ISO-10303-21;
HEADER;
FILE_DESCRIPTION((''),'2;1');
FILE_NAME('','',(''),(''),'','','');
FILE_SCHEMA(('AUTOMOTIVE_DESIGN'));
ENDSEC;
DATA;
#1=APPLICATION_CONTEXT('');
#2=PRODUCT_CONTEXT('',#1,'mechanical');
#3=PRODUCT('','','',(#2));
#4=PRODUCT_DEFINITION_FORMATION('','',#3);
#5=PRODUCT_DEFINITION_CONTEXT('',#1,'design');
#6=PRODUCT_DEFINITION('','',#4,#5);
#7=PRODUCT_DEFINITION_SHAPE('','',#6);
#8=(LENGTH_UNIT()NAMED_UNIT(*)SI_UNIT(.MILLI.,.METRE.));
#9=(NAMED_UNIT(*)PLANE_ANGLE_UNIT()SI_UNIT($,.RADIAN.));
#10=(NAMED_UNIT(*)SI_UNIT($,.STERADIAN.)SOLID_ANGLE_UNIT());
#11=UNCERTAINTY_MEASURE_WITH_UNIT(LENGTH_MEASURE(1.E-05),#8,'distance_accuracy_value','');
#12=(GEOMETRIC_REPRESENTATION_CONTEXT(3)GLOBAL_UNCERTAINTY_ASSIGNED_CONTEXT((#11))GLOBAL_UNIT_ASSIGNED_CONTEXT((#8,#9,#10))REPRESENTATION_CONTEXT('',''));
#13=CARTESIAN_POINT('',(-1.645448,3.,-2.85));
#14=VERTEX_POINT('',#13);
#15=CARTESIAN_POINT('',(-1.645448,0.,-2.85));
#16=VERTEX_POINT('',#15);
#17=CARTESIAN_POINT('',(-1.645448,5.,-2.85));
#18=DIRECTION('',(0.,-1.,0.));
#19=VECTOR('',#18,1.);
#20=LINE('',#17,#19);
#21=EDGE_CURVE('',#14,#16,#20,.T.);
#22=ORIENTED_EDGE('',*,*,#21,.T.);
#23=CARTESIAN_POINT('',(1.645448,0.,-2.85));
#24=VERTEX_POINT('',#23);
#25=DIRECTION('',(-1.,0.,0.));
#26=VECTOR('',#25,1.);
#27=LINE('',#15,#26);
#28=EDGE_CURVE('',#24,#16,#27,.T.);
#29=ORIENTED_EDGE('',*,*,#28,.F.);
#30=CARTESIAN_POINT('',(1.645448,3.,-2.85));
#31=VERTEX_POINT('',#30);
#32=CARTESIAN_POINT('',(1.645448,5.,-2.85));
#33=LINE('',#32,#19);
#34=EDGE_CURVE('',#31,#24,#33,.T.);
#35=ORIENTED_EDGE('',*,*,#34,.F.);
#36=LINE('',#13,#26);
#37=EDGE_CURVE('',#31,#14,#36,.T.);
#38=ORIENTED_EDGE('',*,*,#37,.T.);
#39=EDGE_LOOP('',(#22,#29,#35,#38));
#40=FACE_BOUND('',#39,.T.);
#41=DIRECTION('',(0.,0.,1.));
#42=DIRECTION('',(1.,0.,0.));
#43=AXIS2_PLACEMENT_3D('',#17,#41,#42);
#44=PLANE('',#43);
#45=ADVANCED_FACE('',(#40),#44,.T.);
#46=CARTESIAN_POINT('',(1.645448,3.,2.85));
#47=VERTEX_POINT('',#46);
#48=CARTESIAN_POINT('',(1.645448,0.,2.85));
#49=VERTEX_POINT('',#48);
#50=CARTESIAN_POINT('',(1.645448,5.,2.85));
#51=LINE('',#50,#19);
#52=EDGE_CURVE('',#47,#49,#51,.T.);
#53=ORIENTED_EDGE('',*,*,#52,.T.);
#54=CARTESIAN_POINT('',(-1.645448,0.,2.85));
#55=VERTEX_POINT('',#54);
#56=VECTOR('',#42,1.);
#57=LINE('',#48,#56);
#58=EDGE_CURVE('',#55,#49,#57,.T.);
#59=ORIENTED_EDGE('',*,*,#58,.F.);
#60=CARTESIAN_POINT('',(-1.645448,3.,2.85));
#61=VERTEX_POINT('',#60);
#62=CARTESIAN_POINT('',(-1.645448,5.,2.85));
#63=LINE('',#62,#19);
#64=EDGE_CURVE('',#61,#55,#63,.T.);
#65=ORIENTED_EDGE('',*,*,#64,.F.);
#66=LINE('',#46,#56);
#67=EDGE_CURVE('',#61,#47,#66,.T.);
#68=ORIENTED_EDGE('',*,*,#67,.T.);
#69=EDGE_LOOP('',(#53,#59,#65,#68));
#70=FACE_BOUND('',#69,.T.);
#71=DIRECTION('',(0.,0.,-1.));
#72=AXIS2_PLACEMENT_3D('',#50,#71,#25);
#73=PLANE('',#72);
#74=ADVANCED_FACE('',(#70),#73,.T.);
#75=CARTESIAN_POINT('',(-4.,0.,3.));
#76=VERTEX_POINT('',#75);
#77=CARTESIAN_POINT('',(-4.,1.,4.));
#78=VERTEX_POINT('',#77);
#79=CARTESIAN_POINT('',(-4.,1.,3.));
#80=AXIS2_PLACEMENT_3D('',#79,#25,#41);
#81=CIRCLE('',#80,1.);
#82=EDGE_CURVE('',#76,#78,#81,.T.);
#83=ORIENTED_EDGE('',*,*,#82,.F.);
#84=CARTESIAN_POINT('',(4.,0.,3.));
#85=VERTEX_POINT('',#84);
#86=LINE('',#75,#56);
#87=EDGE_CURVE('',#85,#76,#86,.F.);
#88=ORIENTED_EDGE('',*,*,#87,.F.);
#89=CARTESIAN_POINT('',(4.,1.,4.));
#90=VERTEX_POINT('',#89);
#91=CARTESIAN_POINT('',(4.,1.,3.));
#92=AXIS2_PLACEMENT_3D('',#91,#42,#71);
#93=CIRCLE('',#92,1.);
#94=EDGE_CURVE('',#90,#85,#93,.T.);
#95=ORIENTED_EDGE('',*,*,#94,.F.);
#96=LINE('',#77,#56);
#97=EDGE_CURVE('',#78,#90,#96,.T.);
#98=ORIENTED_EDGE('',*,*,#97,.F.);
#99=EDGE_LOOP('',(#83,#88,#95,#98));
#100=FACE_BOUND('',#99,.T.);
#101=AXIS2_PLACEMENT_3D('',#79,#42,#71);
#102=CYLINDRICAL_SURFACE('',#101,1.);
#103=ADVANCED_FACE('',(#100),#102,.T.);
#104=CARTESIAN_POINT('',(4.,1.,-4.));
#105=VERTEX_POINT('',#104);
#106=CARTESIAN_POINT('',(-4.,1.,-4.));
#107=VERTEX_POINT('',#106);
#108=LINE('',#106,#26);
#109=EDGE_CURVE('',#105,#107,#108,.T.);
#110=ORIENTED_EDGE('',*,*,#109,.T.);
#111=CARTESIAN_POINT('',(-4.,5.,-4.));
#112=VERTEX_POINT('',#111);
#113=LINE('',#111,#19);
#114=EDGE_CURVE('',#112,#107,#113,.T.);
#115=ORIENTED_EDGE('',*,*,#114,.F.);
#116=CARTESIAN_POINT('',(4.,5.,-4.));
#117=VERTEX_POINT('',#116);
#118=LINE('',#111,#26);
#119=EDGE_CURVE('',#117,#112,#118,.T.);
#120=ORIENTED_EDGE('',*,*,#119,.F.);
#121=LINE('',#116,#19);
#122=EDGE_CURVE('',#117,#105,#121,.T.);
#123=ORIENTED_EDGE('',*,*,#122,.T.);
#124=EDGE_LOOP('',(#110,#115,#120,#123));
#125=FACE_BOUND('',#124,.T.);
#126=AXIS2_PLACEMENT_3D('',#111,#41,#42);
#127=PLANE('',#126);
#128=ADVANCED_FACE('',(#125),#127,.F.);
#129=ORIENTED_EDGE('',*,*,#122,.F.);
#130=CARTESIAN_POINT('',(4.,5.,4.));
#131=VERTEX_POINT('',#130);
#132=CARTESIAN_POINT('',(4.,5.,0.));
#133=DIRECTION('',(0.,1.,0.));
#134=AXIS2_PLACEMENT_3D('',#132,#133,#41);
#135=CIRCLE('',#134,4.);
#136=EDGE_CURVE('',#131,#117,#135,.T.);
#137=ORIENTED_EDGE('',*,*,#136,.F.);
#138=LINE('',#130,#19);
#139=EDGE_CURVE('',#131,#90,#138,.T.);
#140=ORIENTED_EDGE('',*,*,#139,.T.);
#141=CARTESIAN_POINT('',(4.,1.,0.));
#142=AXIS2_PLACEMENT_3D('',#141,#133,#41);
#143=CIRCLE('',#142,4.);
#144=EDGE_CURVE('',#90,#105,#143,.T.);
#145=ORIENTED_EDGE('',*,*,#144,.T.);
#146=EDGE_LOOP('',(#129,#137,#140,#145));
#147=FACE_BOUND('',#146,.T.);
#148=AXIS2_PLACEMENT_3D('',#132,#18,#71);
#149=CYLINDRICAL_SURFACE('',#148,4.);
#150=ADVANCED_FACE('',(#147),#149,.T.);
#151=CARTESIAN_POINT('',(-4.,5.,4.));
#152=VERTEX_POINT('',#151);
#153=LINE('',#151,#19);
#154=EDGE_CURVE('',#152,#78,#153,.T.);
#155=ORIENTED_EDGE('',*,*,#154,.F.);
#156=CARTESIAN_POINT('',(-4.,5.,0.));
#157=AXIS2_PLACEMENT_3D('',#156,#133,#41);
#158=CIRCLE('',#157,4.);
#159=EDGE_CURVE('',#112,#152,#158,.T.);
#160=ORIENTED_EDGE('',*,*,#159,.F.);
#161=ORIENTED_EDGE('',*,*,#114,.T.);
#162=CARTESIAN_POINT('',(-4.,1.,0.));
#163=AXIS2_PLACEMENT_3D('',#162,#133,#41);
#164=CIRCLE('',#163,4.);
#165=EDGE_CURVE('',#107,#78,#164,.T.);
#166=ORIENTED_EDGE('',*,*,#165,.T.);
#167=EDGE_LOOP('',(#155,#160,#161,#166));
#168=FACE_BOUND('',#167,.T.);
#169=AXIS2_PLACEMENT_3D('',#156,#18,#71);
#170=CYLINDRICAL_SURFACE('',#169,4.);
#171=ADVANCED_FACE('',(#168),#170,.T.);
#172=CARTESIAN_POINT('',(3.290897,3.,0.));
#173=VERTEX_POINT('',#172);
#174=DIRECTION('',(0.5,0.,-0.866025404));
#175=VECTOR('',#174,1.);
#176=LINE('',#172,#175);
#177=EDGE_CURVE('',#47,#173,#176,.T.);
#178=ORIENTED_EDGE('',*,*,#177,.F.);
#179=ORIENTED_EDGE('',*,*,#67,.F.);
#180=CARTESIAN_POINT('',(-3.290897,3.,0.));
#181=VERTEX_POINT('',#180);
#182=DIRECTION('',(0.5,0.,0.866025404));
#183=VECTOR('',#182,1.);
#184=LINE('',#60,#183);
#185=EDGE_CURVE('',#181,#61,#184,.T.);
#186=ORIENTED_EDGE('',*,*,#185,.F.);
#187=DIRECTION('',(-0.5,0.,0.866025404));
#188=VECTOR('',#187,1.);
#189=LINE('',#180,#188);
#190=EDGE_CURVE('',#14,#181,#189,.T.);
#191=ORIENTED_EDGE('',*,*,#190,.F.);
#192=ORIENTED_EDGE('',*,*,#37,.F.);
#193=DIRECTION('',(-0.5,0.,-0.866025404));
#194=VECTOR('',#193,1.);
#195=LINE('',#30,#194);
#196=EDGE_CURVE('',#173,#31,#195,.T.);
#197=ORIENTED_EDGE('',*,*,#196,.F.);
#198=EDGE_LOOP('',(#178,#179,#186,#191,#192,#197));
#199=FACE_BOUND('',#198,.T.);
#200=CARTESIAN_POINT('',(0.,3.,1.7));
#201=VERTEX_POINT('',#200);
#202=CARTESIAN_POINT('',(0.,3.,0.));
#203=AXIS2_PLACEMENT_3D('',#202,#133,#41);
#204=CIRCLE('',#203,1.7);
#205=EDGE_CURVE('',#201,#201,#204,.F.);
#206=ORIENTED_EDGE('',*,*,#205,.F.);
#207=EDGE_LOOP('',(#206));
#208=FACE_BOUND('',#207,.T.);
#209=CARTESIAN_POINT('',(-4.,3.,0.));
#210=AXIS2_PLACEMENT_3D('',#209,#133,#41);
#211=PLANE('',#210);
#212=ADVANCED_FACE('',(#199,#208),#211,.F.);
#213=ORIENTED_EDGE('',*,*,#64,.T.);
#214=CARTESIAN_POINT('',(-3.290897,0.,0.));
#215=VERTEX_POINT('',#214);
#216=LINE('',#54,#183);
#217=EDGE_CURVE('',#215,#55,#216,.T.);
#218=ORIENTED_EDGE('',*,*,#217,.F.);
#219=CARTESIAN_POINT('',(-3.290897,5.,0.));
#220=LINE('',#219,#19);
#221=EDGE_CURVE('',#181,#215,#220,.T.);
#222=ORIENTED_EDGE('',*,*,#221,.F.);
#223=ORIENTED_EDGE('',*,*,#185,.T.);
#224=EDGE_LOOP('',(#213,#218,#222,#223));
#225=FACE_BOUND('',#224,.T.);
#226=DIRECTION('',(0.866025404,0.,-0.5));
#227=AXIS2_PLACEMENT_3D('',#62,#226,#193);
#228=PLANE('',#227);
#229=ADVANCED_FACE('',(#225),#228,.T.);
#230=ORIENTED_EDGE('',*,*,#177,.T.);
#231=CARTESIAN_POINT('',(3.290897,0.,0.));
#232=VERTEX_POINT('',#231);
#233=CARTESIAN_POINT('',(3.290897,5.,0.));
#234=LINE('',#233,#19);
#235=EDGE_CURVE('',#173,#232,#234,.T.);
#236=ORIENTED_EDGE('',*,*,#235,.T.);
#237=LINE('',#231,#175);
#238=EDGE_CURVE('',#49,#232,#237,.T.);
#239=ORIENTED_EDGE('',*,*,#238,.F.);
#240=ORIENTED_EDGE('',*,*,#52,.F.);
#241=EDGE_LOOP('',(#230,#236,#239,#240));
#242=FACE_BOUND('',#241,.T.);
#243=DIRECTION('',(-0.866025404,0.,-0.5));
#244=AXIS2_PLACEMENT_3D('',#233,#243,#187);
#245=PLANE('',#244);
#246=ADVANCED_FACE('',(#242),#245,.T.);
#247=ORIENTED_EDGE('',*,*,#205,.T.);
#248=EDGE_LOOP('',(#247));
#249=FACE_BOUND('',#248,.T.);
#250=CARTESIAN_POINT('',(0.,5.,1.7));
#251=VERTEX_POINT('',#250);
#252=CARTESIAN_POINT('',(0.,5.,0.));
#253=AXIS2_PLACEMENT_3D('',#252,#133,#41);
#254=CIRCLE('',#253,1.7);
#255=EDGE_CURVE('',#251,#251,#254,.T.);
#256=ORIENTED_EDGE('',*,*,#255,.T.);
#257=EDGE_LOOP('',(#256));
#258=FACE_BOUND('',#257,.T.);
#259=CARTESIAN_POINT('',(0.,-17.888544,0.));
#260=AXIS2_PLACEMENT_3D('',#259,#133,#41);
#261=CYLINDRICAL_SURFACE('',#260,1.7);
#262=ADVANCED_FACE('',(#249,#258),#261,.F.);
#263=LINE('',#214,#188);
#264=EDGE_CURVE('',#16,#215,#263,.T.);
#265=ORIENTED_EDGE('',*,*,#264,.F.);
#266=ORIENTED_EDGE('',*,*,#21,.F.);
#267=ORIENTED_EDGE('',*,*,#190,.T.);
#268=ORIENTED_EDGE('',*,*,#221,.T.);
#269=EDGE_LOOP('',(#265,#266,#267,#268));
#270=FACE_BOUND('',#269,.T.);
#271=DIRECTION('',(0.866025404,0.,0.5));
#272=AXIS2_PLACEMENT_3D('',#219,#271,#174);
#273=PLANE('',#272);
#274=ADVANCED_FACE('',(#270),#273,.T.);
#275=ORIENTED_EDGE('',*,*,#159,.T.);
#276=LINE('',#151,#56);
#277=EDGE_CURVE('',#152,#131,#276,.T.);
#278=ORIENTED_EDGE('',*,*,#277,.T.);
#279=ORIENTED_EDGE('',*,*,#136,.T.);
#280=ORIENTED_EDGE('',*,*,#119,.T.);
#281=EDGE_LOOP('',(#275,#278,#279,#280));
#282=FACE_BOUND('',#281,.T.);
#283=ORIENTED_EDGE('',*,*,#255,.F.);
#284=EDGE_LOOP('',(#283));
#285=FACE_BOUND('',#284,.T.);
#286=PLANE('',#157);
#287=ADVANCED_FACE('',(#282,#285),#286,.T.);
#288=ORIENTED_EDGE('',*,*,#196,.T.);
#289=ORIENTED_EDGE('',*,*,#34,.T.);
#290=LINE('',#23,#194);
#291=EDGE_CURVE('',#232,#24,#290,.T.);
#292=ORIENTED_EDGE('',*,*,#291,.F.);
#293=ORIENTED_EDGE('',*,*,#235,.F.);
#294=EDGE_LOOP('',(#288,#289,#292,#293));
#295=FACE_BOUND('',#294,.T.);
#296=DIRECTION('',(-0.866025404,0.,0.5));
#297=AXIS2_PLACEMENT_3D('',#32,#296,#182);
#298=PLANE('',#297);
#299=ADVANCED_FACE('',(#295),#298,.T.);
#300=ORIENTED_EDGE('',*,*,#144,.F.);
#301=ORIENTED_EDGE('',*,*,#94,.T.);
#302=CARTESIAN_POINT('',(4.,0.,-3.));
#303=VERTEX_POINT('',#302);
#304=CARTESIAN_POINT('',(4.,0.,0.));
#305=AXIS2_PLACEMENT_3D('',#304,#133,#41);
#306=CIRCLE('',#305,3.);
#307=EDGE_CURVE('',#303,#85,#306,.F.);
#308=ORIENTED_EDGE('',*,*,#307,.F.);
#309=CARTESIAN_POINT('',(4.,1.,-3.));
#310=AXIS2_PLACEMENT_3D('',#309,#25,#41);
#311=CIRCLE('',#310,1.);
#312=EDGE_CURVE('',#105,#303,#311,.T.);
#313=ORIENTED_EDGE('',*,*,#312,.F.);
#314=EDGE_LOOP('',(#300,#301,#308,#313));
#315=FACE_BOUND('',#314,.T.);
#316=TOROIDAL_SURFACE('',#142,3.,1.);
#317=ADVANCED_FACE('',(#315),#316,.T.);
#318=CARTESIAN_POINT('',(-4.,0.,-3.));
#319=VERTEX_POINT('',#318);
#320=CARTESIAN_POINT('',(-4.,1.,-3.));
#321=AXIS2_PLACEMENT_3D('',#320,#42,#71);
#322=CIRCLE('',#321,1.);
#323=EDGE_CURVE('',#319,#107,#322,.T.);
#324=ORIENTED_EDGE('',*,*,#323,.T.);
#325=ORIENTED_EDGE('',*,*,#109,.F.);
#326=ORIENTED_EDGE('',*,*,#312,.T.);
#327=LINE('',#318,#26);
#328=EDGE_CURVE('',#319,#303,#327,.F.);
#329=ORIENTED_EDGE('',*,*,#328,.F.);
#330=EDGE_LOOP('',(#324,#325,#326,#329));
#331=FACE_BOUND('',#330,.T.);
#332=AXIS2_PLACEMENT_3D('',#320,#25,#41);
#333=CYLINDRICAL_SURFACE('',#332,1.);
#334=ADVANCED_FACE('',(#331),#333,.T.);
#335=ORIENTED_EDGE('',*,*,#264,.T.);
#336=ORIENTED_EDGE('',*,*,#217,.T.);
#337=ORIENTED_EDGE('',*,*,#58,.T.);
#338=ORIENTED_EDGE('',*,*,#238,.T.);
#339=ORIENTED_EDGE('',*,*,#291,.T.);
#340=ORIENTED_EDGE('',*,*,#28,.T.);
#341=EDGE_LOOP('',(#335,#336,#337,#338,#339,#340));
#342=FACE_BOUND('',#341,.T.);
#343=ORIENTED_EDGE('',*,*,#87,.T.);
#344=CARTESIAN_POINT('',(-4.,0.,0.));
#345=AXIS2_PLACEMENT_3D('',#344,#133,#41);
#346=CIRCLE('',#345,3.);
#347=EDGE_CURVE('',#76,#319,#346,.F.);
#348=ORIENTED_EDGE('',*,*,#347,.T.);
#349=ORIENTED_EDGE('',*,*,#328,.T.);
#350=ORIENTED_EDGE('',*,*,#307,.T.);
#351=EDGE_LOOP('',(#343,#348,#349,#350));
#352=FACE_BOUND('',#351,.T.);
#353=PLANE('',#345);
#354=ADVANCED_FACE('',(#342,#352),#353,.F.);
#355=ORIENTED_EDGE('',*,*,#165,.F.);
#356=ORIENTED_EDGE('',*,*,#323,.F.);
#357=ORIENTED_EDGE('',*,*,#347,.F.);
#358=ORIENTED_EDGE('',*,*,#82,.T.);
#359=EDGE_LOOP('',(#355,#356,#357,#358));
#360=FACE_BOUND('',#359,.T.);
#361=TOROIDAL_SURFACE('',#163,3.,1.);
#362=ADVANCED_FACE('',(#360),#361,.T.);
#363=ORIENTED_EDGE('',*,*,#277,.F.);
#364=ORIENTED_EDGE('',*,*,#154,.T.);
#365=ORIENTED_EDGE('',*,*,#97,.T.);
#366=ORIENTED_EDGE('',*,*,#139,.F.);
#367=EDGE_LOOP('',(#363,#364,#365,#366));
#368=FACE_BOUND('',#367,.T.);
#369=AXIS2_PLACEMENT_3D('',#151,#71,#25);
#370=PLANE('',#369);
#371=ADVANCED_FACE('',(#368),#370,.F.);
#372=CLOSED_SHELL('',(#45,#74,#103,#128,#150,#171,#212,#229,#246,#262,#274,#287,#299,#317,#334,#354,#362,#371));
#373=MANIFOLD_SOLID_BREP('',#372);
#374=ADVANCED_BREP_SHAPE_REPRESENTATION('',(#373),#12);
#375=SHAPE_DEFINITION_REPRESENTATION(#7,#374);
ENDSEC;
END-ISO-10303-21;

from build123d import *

# Parameters (mm, degrees)
BOSS_EXTRU_1_DEPTH = 5
ESQUISSE2_R        = 1.7
BOSS_EXTRU_2_DEPTH = 2
CONG_1_R           = 1


with BuildPart() as part:
    # Esquisse1 → Boss.-Extru.1 (new body)
    with BuildSketch(Plane(origin=(0, 0, 0), x_dir=(1, 0, 0), z_dir=(0, 1, 0))):
        with BuildLine():
            Line((-4, 4), (4, 4))
            ThreePointArc((4, 4), (8, 0), (4, -4))
            Line((4, -4), (-4, -4))
            ThreePointArc((-4, -4), (-8, 0), (-4, 4))
        make_face()
        Polygon((-1.645448267, 2.85), (1.645448267, 2.85), (3.290896534, 0), (1.645448267, -2.85), (-1.645448267, -2.85), (-3.290896534, 0), align=None, mode=Mode.SUBTRACT)
    extrude(amount=BOSS_EXTRU_1_DEPTH)

    # Esquisse2 → Boss.-Extru.2 (add)
    with BuildSketch(Plane(origin=(0, 5, 0), x_dir=(1, 0, 0), z_dir=(0, 1, 0))):
        with BuildLine():
            Line((-4, -4), (4, -4))
            ThreePointArc((4, -4), (8, 0), (4, 4))
            Line((4, 4), (-4, 4))
            ThreePointArc((-4, 4), (-8, 0), (-4, -4))
        make_face()
        Circle(ESQUISSE2_R, mode=Mode.SUBTRACT)
    extrude(amount=-BOSS_EXTRU_2_DEPTH)

    # Congé1
    cong_1_edges = [part.edges().sort_by_distance(p)[0] for p in [
        (0, 0, -4),
        (8, 0, 0),
        (0, 0, 4),
        (-8, 0, 0),
    ]]
    fillet(cong_1_edges, radius=CONG_1_R)


solid = part.part
